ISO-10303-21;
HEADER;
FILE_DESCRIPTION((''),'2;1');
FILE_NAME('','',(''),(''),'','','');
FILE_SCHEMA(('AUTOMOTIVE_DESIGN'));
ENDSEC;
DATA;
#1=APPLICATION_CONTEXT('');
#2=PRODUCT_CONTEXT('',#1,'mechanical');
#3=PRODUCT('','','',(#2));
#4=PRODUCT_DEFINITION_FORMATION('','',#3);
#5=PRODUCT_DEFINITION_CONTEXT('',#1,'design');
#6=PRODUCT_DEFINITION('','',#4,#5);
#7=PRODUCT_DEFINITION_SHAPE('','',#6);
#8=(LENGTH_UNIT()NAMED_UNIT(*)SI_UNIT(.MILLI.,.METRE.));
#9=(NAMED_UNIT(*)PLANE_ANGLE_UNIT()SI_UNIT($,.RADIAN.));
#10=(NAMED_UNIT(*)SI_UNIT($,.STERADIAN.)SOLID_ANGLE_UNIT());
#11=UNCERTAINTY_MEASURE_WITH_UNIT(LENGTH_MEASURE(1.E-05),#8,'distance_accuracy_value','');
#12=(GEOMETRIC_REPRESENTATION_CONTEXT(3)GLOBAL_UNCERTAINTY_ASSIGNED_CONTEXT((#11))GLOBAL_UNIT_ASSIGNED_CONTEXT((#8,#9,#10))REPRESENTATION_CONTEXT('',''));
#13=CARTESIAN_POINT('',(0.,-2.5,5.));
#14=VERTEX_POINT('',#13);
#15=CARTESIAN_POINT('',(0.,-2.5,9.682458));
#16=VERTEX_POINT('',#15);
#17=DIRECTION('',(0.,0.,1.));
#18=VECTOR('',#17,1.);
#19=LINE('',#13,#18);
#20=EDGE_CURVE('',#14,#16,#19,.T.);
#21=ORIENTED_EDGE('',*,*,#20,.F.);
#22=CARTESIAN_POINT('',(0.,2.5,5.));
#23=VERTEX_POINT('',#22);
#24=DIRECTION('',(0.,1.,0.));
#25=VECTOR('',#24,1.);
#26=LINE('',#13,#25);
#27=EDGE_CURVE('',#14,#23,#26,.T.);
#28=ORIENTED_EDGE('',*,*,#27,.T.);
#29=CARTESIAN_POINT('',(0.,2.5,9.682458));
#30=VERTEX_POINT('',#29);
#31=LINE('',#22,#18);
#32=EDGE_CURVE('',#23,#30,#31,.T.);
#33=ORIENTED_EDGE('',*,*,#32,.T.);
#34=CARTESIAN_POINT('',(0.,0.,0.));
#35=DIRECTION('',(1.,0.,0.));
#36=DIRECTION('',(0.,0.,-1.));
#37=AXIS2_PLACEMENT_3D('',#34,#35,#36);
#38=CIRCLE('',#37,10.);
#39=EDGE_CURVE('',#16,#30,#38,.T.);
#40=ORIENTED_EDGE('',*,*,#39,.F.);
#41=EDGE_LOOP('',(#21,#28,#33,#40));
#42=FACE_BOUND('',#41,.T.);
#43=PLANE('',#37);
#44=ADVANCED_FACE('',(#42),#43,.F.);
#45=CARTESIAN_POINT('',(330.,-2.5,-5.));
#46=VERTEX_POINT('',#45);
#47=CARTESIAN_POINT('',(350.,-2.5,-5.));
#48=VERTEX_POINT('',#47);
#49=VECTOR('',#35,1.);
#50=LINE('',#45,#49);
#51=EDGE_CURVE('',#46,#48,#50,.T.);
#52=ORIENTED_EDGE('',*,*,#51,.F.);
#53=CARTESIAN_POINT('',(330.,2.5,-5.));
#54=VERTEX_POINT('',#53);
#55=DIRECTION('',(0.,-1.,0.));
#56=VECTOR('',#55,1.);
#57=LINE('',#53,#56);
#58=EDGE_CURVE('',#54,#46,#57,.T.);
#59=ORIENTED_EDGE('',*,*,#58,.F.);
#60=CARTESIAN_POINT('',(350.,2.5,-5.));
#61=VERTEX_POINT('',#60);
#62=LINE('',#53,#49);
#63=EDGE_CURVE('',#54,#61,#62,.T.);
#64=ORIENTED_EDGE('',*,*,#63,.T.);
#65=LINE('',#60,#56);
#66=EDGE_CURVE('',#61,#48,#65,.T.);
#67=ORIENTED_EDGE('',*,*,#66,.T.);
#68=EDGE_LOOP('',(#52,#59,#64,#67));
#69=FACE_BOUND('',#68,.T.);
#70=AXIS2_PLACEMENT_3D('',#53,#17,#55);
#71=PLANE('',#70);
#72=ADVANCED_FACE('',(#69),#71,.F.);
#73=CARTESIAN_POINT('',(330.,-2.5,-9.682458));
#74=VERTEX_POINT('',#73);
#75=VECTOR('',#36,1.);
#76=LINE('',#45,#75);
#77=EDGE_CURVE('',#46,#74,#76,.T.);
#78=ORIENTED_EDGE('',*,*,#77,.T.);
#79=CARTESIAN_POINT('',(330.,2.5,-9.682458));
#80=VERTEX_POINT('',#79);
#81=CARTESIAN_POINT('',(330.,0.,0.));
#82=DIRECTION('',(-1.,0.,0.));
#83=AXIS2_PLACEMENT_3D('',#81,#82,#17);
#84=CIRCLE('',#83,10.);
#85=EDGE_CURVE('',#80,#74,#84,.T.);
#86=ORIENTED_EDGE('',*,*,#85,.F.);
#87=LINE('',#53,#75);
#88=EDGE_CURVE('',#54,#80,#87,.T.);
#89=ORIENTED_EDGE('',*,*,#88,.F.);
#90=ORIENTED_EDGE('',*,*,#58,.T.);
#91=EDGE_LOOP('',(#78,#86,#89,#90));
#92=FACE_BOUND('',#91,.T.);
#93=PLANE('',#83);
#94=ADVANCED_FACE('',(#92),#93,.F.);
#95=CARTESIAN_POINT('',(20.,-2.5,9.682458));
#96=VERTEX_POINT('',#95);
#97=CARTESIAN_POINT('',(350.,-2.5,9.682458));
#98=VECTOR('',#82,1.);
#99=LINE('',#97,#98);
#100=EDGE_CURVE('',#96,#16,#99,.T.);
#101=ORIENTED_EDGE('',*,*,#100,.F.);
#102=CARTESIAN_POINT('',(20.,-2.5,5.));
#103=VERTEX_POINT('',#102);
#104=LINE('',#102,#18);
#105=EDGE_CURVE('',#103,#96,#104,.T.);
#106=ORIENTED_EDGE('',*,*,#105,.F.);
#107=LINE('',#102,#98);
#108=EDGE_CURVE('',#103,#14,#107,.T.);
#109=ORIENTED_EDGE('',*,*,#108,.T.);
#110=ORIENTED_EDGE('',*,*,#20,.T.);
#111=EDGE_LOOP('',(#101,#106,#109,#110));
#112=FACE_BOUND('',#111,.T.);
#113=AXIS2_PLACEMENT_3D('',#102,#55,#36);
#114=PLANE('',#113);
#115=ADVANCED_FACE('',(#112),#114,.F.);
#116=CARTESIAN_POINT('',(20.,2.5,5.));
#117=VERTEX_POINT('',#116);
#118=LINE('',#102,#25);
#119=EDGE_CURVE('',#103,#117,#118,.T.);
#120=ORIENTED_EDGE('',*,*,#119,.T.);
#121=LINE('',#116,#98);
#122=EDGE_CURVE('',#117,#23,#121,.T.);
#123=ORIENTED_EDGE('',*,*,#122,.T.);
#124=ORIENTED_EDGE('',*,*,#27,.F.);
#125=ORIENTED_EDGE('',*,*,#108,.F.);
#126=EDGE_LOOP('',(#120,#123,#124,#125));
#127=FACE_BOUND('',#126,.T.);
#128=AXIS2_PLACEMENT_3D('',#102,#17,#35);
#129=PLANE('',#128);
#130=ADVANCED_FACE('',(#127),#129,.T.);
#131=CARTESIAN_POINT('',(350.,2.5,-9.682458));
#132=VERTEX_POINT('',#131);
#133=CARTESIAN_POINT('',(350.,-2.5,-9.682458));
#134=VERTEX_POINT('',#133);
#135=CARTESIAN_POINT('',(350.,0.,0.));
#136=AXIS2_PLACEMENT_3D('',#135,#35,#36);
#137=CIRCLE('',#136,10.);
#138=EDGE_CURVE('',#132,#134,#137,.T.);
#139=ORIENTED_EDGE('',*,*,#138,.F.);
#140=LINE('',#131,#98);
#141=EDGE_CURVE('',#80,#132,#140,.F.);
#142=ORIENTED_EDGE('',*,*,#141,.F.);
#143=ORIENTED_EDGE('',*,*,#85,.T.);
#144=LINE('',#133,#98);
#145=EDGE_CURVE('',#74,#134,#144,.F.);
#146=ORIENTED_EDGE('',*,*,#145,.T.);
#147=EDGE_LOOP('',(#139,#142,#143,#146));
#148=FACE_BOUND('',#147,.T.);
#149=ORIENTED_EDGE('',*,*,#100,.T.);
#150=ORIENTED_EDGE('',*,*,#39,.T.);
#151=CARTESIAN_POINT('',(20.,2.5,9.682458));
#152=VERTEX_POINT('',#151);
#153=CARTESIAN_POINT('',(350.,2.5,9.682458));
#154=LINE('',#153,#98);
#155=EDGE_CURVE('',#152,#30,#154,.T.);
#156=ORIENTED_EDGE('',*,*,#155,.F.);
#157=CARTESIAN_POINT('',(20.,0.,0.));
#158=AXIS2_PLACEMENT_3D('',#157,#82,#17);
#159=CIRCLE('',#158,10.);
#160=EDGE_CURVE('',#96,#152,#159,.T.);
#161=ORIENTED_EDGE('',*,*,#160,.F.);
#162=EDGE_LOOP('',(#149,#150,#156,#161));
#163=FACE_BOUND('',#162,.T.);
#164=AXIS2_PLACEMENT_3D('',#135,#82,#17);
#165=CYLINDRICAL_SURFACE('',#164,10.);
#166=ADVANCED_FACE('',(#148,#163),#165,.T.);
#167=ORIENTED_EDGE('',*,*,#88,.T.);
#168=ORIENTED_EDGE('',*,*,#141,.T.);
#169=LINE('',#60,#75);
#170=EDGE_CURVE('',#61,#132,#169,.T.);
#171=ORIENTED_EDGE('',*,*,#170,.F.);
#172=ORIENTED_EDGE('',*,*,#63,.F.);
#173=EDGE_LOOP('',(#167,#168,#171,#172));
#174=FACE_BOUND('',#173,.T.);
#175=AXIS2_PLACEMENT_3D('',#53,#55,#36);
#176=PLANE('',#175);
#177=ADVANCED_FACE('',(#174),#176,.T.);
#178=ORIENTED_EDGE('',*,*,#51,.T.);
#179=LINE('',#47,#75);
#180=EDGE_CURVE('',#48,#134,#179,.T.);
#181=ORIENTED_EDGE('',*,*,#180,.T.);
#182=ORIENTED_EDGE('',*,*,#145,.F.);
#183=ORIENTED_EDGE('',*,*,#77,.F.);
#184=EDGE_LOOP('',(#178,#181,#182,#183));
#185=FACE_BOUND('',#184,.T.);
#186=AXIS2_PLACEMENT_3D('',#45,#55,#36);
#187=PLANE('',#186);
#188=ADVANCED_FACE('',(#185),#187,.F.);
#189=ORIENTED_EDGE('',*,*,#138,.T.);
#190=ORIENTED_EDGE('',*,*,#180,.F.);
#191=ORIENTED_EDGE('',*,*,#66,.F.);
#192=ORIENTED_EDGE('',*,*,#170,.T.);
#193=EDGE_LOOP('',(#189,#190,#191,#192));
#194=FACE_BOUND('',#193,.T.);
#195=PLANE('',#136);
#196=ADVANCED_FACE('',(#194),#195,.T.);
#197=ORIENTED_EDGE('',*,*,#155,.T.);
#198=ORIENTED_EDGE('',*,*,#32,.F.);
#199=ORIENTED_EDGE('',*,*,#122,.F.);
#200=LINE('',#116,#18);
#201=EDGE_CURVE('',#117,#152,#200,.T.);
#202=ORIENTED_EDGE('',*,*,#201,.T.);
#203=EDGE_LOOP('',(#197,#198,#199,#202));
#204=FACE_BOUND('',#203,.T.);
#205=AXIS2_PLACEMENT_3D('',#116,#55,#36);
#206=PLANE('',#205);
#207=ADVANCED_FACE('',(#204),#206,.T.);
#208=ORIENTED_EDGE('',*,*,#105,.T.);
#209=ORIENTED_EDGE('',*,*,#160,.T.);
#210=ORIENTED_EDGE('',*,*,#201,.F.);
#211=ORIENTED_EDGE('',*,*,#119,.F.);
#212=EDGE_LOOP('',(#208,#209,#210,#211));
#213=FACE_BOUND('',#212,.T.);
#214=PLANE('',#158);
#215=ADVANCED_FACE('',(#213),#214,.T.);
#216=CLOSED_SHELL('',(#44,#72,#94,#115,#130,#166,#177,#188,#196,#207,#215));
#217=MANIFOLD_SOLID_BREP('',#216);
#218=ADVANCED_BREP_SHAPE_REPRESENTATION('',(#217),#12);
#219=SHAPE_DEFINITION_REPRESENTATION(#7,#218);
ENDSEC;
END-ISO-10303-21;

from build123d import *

# Parameters (mm, degrees)
SKETCH1_R           = 10
BOSS_EXTRUDE1_DEPTH = 350
SKETCH2_W           = 10
SKETCH2_H           = 5
CUT_EXTRUDE1_DEPTH  = 20
SKETCH3_W           = 10
SKETCH3_H           = 5
CUT_EXTRUDE2_DEPTH  = 20


with BuildPart() as part:
    # Sketch1 → Boss-Extrude1 (new body)
    with BuildSketch(Plane(origin=(0, 0, 0), x_dir=(0, 0, -1), z_dir=(1, 0, 0))):
        Circle(SKETCH1_R)
    extrude(amount=BOSS_EXTRUDE1_DEPTH)

    # Sketch2 → Cut-Extrude1 (cut)
    with BuildSketch(Plane.ZY):
        with Locations((10, 0)):
            Rectangle(SKETCH2_W, SKETCH2_H)
    extrude(amount=-CUT_EXTRUDE1_DEPTH, mode=Mode.SUBTRACT)

    # Sketch3 → Cut-Extrude2 (cut)
    with BuildSketch(Plane(origin=(350, 0, 0), x_dir=(0, 0, -1), z_dir=(1, 0, 0))):
        with Locations((10, 0)):
            Rectangle(SKETCH3_W, SKETCH3_H)
    extrude(amount=-CUT_EXTRUDE2_DEPTH, mode=Mode.SUBTRACT)


solid = part.part
